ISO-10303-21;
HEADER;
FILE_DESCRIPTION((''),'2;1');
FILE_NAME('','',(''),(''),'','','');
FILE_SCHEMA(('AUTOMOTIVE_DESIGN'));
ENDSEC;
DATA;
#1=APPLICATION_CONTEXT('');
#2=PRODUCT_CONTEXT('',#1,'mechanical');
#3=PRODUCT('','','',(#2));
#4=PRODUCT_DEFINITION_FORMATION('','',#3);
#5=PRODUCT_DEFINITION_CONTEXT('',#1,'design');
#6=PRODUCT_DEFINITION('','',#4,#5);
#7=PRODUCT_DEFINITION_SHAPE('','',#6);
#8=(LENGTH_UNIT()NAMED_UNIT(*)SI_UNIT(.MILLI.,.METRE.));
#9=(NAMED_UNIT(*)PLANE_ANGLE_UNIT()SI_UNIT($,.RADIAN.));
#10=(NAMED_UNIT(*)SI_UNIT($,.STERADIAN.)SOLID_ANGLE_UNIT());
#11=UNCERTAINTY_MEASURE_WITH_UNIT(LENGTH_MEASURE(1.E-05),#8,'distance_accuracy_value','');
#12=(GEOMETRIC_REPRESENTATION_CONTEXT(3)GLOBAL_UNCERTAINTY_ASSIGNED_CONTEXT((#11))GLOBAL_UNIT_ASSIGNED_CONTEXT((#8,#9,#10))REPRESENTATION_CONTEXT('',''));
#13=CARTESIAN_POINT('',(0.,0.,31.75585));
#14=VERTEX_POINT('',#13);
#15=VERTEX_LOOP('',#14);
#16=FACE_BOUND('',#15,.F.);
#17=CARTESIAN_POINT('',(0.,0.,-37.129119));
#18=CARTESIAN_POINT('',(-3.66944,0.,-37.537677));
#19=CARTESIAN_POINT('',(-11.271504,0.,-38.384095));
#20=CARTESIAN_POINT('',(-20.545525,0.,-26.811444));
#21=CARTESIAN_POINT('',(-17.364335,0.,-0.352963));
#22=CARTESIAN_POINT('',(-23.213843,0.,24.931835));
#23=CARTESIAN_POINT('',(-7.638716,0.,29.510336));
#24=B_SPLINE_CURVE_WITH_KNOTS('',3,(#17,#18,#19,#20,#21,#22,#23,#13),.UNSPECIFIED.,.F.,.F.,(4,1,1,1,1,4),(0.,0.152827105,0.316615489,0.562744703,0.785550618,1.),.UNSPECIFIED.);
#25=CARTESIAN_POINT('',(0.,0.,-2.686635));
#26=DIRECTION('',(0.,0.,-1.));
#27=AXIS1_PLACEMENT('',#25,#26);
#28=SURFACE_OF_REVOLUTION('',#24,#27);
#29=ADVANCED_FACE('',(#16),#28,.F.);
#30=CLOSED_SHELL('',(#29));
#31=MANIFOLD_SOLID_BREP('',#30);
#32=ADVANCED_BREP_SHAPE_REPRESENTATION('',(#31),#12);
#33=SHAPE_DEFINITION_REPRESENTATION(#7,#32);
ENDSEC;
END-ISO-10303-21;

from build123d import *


with BuildPart() as f1:
    # F0 (on Front) → F1 (revolve)
    with BuildSketch(Plane.XZ):
        with BuildLine():
            add(Edge.make_bspline(
                [(0, -37.1291190386), (-3.6694395478, -37.5376766235), (-11.2715039682, -38.3840949073), (-20.5455245209, -26.8114443492), (-17.3643348764, -0.3529625341), (-23.2138425926, 24.9318348495), (-7.6387155146, 29.5103361244), (0, 31.755849719)],
                knots=[0, 0, 0, 0, 0.1528271054, 0.3166154893, 0.5627447028, 0.7855506183, 1, 1, 1, 1], degree=3))
            Line((0, -37.1291190386), (0, 31.755849719))
        make_face()
    revolve(axis=Axis((0, 0, -2.6866346598), (0, 0, -1)))


solid = f1.part
